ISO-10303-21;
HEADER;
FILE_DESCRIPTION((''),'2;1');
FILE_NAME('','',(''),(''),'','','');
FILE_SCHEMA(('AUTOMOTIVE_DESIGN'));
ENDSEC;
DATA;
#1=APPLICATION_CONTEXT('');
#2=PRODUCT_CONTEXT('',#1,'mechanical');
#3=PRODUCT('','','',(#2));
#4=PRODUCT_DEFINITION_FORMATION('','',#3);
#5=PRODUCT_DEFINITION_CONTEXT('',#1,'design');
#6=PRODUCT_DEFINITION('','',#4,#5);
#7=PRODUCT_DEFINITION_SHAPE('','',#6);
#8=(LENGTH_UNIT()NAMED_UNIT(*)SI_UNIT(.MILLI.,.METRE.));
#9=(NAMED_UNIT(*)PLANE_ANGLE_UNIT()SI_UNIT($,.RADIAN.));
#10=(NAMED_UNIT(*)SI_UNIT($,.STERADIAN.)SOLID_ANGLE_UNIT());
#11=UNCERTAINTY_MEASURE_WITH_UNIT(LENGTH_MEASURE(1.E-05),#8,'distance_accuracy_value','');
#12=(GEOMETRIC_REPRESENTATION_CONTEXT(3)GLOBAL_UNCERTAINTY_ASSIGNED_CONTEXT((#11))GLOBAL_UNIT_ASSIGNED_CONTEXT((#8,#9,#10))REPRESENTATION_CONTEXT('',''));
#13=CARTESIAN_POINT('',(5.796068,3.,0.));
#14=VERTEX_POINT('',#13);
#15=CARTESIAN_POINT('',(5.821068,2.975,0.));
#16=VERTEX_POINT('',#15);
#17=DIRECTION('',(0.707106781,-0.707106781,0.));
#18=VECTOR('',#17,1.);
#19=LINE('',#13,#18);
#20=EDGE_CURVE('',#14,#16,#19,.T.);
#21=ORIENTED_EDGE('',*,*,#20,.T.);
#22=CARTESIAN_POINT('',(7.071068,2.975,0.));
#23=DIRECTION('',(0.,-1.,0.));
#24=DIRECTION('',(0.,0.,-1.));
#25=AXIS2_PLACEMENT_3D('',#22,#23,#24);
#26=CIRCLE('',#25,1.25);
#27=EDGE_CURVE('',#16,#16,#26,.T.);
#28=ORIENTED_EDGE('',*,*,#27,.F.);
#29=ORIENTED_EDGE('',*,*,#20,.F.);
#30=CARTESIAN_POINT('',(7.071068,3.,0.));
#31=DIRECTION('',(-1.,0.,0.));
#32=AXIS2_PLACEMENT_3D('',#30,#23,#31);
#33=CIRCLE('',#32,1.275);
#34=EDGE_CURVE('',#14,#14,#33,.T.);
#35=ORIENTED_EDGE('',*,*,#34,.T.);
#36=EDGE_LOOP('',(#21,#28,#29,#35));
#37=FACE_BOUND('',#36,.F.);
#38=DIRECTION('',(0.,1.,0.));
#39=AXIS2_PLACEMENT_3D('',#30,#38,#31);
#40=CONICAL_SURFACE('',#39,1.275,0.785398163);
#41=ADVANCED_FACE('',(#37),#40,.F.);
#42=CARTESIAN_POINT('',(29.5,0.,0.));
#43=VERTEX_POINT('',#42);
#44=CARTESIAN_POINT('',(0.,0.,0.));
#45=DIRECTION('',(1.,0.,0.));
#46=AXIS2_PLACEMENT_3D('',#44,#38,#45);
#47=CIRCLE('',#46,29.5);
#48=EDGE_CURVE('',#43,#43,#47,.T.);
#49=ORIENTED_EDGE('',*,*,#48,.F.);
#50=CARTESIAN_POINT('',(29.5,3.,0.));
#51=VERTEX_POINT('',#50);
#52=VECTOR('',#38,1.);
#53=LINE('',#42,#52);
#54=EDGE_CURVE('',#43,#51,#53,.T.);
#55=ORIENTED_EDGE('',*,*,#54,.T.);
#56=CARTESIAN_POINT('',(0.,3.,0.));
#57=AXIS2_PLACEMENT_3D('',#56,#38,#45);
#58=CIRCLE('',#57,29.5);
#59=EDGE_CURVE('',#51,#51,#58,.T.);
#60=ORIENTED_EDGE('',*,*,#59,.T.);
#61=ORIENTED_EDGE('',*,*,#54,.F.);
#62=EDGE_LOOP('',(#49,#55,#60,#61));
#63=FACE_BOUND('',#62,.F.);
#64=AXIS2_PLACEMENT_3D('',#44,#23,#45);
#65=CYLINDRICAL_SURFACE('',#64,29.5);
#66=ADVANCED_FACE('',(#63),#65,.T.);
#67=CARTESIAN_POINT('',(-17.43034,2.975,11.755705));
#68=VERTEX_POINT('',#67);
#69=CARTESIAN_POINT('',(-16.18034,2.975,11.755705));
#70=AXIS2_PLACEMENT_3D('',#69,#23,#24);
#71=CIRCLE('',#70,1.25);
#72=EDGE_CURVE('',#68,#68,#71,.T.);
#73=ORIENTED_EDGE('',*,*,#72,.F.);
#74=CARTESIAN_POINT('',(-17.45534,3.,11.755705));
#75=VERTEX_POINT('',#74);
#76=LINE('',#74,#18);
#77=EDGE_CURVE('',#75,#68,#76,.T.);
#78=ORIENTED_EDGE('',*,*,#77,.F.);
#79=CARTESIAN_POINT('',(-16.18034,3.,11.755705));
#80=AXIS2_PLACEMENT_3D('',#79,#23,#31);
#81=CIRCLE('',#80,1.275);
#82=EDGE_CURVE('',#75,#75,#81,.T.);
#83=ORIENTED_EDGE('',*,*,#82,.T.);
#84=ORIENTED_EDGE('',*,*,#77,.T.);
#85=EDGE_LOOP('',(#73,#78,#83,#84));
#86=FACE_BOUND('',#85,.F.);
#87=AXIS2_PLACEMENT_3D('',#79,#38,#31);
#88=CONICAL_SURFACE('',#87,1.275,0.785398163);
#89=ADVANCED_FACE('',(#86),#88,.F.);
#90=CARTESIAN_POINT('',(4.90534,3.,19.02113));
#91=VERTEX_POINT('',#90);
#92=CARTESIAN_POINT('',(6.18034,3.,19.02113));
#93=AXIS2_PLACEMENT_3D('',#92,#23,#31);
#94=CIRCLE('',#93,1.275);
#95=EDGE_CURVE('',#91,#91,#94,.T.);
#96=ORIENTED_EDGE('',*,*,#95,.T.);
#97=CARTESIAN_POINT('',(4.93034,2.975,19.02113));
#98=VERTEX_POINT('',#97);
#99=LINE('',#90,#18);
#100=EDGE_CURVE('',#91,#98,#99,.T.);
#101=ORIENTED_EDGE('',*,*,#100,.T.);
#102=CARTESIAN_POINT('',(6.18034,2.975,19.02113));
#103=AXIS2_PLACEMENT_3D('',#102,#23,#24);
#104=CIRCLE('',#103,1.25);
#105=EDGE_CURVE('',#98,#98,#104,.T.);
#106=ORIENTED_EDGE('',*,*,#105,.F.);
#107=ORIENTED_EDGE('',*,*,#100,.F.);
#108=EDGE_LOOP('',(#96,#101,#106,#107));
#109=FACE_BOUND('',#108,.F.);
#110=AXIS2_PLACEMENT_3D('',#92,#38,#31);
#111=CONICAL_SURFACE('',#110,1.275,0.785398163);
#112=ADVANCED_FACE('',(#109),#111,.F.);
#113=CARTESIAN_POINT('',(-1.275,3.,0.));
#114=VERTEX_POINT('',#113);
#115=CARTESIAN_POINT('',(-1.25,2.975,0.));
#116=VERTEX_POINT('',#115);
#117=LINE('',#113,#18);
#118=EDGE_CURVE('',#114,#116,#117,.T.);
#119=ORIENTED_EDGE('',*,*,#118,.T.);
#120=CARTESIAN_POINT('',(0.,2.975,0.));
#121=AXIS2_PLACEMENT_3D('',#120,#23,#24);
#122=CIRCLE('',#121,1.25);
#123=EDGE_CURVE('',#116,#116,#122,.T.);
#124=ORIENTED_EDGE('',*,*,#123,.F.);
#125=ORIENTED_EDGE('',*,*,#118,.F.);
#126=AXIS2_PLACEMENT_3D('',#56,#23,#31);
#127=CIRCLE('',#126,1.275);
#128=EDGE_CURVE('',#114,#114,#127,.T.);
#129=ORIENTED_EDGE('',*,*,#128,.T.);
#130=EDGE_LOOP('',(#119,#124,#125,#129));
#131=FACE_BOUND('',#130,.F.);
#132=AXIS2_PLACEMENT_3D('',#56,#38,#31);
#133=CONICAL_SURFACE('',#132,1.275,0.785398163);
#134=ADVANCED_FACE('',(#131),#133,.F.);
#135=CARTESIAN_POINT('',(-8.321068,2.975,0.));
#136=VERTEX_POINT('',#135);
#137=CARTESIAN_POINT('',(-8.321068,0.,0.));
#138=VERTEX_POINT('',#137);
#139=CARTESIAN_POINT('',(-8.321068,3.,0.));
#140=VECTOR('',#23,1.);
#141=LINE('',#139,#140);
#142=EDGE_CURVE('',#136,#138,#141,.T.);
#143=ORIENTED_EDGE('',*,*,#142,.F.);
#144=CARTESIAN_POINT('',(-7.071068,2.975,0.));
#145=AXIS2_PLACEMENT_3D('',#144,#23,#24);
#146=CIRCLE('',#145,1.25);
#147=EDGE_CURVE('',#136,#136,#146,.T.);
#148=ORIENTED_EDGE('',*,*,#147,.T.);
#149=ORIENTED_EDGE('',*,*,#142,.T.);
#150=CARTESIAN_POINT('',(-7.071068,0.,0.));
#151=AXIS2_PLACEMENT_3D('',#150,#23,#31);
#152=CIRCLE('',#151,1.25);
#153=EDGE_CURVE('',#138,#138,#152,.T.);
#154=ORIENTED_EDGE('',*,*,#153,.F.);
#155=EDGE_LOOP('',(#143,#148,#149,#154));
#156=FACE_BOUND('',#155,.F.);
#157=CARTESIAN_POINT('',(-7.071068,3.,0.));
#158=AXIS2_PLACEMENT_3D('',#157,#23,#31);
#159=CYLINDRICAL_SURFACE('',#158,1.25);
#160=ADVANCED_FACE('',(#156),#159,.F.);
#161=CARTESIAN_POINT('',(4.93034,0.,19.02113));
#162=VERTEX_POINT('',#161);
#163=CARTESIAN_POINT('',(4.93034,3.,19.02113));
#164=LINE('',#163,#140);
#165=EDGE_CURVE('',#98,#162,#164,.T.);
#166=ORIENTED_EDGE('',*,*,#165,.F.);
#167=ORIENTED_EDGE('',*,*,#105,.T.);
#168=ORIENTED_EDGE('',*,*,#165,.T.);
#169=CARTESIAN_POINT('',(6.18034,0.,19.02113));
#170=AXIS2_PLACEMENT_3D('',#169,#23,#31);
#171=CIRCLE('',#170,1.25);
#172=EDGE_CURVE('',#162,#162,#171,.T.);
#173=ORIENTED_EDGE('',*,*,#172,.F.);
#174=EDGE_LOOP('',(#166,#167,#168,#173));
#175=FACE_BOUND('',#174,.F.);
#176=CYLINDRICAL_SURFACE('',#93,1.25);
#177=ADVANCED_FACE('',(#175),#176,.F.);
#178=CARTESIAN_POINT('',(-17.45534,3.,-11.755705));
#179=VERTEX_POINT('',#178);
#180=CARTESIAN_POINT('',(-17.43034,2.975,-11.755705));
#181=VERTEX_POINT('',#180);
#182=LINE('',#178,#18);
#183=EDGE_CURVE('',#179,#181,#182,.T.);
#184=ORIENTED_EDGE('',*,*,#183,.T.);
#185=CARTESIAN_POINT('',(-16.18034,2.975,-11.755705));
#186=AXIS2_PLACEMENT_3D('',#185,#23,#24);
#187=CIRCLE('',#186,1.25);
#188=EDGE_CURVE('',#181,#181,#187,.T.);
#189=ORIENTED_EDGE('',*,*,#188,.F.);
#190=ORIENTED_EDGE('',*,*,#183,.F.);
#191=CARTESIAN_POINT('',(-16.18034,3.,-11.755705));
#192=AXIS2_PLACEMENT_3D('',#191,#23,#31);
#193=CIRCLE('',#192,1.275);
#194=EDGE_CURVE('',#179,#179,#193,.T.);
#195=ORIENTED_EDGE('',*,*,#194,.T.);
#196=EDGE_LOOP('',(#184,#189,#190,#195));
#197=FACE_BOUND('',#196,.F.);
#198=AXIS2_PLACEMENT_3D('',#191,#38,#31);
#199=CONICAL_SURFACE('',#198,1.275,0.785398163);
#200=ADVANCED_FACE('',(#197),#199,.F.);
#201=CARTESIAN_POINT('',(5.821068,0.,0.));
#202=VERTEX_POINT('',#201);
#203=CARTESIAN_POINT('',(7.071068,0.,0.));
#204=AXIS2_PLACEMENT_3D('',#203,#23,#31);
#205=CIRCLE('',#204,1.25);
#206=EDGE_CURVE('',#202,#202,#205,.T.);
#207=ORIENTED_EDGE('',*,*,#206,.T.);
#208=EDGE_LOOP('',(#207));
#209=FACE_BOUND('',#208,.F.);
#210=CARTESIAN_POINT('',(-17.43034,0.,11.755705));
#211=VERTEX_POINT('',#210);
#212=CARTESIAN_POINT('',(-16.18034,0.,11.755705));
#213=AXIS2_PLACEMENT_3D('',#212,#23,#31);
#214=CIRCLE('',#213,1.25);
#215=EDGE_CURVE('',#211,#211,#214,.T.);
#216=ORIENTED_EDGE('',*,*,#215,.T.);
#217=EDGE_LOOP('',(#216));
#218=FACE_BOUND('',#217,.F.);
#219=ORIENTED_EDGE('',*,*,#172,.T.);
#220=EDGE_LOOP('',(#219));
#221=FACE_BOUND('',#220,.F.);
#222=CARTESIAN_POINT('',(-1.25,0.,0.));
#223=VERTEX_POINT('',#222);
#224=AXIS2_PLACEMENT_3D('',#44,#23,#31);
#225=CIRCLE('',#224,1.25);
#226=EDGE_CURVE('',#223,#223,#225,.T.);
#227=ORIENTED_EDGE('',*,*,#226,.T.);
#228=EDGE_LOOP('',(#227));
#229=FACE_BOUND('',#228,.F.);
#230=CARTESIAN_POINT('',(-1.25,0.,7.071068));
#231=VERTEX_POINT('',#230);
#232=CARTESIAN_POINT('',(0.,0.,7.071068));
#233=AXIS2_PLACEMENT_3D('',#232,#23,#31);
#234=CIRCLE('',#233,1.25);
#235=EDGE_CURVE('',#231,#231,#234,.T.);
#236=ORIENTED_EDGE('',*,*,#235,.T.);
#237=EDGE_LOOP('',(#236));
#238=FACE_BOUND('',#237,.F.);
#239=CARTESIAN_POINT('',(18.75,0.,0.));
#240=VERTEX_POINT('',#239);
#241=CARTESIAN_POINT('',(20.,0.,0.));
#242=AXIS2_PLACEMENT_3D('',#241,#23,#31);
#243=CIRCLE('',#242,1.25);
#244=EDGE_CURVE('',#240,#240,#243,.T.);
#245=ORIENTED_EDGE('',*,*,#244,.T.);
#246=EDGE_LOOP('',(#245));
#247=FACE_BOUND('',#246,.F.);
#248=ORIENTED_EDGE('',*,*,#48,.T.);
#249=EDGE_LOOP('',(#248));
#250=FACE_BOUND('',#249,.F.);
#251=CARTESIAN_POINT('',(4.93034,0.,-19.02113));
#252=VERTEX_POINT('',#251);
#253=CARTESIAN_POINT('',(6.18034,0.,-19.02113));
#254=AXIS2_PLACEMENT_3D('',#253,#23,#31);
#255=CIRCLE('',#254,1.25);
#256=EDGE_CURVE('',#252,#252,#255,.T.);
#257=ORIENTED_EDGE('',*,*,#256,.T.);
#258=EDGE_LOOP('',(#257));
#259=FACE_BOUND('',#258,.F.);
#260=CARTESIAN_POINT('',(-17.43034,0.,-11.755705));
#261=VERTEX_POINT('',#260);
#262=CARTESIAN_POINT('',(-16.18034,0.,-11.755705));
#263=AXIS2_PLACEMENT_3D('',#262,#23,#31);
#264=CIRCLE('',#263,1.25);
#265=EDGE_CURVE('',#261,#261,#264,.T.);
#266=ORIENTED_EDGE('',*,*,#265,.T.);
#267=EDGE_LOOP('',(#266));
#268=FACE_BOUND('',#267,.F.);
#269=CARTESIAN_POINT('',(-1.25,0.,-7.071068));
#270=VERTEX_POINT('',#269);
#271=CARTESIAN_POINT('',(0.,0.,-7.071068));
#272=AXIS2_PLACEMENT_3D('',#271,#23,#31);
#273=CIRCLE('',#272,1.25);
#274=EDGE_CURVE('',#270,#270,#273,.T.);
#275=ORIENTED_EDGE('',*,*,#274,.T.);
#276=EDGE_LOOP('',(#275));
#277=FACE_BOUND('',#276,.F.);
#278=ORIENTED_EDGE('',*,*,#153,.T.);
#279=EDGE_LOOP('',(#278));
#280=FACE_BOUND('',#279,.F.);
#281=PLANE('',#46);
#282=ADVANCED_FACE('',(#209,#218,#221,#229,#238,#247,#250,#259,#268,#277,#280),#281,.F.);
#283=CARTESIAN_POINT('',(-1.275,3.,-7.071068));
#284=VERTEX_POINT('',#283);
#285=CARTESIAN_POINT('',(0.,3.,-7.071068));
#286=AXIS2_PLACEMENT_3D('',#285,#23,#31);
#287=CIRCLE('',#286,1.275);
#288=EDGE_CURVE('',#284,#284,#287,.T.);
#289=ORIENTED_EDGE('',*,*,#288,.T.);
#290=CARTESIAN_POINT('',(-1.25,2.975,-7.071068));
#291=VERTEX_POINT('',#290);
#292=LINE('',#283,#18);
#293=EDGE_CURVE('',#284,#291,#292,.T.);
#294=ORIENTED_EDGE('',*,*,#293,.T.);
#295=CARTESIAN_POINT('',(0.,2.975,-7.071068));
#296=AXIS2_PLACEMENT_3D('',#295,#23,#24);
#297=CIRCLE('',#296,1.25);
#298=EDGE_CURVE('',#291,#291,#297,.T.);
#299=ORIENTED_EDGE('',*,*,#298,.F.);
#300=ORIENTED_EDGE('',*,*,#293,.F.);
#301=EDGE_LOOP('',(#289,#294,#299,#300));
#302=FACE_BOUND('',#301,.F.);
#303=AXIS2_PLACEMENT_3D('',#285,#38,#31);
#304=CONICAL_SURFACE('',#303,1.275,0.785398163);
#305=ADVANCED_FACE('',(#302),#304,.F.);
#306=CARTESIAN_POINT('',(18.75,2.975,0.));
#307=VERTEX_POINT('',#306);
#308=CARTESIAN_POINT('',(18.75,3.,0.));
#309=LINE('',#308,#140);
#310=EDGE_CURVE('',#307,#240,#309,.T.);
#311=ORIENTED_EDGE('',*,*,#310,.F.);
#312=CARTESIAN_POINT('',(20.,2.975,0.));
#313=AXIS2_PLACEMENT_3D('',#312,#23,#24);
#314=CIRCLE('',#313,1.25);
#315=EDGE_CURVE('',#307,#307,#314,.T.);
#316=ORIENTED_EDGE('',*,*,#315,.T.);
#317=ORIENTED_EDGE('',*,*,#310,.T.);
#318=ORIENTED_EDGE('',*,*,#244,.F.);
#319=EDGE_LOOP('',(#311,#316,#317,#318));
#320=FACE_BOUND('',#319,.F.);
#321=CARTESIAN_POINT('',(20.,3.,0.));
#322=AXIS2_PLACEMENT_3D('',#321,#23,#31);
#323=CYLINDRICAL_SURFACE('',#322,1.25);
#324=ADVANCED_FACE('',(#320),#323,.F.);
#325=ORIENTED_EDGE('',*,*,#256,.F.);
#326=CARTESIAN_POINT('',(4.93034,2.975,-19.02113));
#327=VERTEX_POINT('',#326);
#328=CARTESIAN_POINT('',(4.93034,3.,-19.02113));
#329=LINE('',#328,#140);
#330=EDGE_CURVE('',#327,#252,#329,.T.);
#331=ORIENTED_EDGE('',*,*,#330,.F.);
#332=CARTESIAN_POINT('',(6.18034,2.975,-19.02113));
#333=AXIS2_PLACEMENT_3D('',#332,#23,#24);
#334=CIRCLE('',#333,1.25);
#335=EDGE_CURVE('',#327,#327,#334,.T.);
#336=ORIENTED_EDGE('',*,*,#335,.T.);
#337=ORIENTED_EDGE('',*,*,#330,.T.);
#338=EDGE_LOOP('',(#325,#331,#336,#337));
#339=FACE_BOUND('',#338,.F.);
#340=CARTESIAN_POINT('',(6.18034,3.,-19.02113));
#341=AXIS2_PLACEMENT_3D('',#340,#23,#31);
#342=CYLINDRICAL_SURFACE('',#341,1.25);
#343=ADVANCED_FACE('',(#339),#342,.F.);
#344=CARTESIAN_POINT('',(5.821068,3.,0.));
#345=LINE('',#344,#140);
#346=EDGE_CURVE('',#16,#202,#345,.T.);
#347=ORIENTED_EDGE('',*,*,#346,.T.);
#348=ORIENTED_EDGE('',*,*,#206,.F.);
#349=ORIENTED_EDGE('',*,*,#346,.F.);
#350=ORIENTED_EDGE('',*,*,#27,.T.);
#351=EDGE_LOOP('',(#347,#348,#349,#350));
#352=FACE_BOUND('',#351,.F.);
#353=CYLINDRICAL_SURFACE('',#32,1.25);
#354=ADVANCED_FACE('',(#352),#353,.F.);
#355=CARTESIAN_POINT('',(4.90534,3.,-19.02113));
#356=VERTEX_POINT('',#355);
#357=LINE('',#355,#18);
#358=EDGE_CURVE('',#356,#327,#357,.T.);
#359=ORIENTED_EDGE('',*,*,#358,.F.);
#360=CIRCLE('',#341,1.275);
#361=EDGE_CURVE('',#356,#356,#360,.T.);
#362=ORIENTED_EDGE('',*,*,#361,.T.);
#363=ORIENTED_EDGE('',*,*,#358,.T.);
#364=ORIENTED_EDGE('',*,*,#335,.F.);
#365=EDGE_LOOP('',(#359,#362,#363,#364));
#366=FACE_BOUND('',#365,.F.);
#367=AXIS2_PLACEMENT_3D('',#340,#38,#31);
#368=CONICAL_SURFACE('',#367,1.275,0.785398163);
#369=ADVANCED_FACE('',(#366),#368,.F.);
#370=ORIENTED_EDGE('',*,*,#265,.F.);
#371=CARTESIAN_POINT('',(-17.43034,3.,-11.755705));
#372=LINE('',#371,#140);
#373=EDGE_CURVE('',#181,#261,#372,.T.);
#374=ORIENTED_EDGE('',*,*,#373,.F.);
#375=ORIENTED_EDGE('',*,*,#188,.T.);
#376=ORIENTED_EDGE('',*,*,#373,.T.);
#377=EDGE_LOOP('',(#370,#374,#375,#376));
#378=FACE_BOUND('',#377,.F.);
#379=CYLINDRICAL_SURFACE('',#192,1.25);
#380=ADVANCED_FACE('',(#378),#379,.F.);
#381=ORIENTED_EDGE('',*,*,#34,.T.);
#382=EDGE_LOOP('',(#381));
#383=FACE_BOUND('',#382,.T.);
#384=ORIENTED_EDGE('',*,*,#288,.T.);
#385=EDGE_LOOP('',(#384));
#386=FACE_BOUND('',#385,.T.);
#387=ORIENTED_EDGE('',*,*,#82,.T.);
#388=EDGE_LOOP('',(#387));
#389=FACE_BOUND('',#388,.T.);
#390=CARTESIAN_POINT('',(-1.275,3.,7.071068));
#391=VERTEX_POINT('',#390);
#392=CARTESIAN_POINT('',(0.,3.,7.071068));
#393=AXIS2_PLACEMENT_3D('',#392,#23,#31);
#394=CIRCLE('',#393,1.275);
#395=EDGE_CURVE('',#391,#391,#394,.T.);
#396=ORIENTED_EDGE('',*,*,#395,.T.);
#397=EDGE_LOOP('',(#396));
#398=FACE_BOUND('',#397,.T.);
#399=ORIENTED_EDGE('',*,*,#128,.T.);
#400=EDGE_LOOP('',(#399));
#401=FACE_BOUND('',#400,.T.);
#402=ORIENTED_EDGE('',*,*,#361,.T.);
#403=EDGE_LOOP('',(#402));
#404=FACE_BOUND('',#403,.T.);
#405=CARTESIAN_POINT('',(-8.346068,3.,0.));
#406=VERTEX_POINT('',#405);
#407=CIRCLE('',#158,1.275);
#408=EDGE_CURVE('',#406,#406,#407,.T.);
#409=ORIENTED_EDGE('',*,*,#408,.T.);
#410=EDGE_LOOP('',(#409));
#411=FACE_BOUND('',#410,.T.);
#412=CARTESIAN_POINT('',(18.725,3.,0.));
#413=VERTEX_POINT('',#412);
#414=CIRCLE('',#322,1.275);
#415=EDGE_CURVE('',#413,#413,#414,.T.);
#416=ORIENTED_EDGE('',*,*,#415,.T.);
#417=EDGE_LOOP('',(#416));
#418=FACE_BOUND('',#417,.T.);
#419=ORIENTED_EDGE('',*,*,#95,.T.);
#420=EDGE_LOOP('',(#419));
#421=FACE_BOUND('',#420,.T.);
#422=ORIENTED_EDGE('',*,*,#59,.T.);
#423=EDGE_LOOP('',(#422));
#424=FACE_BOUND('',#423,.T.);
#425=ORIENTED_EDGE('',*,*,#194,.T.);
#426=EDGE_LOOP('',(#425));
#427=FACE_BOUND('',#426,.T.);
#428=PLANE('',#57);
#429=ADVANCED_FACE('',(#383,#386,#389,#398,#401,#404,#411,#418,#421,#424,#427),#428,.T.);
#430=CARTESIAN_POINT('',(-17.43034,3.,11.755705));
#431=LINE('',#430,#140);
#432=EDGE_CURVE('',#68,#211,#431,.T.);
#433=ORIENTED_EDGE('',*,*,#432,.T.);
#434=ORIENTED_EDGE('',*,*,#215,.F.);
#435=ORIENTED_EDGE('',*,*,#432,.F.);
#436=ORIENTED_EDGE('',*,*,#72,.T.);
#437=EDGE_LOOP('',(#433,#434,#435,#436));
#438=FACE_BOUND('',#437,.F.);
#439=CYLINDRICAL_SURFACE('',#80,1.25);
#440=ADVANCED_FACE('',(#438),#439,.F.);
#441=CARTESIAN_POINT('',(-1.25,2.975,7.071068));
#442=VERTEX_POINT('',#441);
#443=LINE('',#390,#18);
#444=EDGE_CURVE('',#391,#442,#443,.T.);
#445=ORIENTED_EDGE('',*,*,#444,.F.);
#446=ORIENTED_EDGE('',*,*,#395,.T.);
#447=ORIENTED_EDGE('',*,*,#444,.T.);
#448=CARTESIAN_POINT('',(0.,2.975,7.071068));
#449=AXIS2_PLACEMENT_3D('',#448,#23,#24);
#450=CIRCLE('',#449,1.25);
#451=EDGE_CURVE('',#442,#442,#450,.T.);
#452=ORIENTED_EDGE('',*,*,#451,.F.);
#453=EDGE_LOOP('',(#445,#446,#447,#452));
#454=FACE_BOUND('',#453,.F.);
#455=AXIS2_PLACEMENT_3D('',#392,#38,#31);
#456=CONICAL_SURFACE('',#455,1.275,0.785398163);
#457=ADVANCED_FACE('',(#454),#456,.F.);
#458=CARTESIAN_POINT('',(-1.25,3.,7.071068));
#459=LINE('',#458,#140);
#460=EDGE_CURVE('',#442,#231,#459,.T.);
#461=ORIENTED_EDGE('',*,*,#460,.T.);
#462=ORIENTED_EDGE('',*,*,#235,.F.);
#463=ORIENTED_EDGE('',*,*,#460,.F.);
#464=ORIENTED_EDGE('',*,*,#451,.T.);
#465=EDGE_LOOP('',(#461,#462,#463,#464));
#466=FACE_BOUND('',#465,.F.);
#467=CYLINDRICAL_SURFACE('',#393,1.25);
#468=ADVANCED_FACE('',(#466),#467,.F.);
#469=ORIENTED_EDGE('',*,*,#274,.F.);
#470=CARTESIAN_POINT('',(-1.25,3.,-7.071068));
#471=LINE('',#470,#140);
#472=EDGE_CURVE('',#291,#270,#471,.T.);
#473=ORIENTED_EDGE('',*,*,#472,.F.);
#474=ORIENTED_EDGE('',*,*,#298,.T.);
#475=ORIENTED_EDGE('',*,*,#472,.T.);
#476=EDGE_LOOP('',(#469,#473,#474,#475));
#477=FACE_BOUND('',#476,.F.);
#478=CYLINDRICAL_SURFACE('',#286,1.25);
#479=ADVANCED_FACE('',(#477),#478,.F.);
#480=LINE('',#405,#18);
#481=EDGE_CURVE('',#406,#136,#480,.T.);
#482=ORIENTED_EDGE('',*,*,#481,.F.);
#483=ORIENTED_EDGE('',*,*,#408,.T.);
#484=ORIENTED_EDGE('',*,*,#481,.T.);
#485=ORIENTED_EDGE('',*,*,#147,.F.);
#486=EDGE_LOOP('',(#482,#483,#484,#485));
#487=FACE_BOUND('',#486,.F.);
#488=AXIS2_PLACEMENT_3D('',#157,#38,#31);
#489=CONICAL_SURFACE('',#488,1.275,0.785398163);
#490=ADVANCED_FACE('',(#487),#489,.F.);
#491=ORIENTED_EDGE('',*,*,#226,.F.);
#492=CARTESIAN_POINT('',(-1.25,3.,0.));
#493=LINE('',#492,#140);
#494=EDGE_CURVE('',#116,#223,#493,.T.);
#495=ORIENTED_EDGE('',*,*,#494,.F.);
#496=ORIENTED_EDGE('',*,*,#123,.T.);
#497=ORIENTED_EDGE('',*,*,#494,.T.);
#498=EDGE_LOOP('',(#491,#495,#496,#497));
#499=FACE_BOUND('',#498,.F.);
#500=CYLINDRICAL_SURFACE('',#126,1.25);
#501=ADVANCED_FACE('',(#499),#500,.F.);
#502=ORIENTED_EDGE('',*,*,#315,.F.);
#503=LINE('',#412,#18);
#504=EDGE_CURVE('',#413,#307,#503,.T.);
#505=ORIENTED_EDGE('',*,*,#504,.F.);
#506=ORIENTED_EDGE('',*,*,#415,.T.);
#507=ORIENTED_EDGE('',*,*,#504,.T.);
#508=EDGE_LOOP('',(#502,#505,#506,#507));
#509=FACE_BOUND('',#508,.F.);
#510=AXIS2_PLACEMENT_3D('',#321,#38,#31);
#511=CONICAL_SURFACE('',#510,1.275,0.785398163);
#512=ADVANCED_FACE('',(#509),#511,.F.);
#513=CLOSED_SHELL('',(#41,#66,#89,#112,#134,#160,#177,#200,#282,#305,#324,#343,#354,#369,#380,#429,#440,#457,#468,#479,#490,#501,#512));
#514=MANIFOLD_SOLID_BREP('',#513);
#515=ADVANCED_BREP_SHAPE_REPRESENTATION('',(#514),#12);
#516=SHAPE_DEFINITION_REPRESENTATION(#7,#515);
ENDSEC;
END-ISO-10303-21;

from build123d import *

# Parameters (mm, degrees)
SKETCH_1_R                   = 29.5
EXTRUDE_1_DEPTH              = 3
HOLE_WIZARD_M3_1_D           = 2.5
HOLE_WIZARD_M3_1_CSINK_D     = 2.55
HOLE_WIZARD_M3_1_CSINK_ANGLE = 90
HOLE_WIZARD_M3_2_D           = 2.5
HOLE_WIZARD_M3_2_CSINK_D     = 2.55
HOLE_WIZARD_M3_2_CSINK_ANGLE = 90


with BuildPart() as part:
    # 草图1 → 凸台-拉伸1 (new body)
    with BuildSketch(Plane(origin=(0, 0, 0), x_dir=(1, 0, 0), z_dir=(0, 1, 0))):
        Circle(SKETCH_1_R)
    extrude(amount=EXTRUDE_1_DEPTH)

    # M3 螺纹孔的螺纹孔钻头1 (through all)
    with Locations(Plane(origin=(0, 3, 0), x_dir=(1, 0, 0), z_dir=(0, 1, 0))):
        with Locations((6.180339887, 19.021130326), (20, 0), (6.180339887, -19.021130326), (-16.180339887, -11.755705046), (-16.180339887, 11.755705046)):
            CounterSinkHole(HOLE_WIZARD_M3_1_D / 2, HOLE_WIZARD_M3_1_CSINK_D / 2, counter_sink_angle=HOLE_WIZARD_M3_1_CSINK_ANGLE)

    # M3 螺纹孔的螺纹孔钻头2 (through all)
    with Locations(Plane(origin=(0, 3, 0), x_dir=(1, 0, 0), z_dir=(0, 1, 0))):
        with Locations((0, 0), (7.071067812, 0), (0, -7.071067812), (-7.071067812, 0), (0, 7.071067812)):
            CounterSinkHole(HOLE_WIZARD_M3_2_D / 2, HOLE_WIZARD_M3_2_CSINK_D / 2, counter_sink_angle=HOLE_WIZARD_M3_2_CSINK_ANGLE)


solid = part.part
